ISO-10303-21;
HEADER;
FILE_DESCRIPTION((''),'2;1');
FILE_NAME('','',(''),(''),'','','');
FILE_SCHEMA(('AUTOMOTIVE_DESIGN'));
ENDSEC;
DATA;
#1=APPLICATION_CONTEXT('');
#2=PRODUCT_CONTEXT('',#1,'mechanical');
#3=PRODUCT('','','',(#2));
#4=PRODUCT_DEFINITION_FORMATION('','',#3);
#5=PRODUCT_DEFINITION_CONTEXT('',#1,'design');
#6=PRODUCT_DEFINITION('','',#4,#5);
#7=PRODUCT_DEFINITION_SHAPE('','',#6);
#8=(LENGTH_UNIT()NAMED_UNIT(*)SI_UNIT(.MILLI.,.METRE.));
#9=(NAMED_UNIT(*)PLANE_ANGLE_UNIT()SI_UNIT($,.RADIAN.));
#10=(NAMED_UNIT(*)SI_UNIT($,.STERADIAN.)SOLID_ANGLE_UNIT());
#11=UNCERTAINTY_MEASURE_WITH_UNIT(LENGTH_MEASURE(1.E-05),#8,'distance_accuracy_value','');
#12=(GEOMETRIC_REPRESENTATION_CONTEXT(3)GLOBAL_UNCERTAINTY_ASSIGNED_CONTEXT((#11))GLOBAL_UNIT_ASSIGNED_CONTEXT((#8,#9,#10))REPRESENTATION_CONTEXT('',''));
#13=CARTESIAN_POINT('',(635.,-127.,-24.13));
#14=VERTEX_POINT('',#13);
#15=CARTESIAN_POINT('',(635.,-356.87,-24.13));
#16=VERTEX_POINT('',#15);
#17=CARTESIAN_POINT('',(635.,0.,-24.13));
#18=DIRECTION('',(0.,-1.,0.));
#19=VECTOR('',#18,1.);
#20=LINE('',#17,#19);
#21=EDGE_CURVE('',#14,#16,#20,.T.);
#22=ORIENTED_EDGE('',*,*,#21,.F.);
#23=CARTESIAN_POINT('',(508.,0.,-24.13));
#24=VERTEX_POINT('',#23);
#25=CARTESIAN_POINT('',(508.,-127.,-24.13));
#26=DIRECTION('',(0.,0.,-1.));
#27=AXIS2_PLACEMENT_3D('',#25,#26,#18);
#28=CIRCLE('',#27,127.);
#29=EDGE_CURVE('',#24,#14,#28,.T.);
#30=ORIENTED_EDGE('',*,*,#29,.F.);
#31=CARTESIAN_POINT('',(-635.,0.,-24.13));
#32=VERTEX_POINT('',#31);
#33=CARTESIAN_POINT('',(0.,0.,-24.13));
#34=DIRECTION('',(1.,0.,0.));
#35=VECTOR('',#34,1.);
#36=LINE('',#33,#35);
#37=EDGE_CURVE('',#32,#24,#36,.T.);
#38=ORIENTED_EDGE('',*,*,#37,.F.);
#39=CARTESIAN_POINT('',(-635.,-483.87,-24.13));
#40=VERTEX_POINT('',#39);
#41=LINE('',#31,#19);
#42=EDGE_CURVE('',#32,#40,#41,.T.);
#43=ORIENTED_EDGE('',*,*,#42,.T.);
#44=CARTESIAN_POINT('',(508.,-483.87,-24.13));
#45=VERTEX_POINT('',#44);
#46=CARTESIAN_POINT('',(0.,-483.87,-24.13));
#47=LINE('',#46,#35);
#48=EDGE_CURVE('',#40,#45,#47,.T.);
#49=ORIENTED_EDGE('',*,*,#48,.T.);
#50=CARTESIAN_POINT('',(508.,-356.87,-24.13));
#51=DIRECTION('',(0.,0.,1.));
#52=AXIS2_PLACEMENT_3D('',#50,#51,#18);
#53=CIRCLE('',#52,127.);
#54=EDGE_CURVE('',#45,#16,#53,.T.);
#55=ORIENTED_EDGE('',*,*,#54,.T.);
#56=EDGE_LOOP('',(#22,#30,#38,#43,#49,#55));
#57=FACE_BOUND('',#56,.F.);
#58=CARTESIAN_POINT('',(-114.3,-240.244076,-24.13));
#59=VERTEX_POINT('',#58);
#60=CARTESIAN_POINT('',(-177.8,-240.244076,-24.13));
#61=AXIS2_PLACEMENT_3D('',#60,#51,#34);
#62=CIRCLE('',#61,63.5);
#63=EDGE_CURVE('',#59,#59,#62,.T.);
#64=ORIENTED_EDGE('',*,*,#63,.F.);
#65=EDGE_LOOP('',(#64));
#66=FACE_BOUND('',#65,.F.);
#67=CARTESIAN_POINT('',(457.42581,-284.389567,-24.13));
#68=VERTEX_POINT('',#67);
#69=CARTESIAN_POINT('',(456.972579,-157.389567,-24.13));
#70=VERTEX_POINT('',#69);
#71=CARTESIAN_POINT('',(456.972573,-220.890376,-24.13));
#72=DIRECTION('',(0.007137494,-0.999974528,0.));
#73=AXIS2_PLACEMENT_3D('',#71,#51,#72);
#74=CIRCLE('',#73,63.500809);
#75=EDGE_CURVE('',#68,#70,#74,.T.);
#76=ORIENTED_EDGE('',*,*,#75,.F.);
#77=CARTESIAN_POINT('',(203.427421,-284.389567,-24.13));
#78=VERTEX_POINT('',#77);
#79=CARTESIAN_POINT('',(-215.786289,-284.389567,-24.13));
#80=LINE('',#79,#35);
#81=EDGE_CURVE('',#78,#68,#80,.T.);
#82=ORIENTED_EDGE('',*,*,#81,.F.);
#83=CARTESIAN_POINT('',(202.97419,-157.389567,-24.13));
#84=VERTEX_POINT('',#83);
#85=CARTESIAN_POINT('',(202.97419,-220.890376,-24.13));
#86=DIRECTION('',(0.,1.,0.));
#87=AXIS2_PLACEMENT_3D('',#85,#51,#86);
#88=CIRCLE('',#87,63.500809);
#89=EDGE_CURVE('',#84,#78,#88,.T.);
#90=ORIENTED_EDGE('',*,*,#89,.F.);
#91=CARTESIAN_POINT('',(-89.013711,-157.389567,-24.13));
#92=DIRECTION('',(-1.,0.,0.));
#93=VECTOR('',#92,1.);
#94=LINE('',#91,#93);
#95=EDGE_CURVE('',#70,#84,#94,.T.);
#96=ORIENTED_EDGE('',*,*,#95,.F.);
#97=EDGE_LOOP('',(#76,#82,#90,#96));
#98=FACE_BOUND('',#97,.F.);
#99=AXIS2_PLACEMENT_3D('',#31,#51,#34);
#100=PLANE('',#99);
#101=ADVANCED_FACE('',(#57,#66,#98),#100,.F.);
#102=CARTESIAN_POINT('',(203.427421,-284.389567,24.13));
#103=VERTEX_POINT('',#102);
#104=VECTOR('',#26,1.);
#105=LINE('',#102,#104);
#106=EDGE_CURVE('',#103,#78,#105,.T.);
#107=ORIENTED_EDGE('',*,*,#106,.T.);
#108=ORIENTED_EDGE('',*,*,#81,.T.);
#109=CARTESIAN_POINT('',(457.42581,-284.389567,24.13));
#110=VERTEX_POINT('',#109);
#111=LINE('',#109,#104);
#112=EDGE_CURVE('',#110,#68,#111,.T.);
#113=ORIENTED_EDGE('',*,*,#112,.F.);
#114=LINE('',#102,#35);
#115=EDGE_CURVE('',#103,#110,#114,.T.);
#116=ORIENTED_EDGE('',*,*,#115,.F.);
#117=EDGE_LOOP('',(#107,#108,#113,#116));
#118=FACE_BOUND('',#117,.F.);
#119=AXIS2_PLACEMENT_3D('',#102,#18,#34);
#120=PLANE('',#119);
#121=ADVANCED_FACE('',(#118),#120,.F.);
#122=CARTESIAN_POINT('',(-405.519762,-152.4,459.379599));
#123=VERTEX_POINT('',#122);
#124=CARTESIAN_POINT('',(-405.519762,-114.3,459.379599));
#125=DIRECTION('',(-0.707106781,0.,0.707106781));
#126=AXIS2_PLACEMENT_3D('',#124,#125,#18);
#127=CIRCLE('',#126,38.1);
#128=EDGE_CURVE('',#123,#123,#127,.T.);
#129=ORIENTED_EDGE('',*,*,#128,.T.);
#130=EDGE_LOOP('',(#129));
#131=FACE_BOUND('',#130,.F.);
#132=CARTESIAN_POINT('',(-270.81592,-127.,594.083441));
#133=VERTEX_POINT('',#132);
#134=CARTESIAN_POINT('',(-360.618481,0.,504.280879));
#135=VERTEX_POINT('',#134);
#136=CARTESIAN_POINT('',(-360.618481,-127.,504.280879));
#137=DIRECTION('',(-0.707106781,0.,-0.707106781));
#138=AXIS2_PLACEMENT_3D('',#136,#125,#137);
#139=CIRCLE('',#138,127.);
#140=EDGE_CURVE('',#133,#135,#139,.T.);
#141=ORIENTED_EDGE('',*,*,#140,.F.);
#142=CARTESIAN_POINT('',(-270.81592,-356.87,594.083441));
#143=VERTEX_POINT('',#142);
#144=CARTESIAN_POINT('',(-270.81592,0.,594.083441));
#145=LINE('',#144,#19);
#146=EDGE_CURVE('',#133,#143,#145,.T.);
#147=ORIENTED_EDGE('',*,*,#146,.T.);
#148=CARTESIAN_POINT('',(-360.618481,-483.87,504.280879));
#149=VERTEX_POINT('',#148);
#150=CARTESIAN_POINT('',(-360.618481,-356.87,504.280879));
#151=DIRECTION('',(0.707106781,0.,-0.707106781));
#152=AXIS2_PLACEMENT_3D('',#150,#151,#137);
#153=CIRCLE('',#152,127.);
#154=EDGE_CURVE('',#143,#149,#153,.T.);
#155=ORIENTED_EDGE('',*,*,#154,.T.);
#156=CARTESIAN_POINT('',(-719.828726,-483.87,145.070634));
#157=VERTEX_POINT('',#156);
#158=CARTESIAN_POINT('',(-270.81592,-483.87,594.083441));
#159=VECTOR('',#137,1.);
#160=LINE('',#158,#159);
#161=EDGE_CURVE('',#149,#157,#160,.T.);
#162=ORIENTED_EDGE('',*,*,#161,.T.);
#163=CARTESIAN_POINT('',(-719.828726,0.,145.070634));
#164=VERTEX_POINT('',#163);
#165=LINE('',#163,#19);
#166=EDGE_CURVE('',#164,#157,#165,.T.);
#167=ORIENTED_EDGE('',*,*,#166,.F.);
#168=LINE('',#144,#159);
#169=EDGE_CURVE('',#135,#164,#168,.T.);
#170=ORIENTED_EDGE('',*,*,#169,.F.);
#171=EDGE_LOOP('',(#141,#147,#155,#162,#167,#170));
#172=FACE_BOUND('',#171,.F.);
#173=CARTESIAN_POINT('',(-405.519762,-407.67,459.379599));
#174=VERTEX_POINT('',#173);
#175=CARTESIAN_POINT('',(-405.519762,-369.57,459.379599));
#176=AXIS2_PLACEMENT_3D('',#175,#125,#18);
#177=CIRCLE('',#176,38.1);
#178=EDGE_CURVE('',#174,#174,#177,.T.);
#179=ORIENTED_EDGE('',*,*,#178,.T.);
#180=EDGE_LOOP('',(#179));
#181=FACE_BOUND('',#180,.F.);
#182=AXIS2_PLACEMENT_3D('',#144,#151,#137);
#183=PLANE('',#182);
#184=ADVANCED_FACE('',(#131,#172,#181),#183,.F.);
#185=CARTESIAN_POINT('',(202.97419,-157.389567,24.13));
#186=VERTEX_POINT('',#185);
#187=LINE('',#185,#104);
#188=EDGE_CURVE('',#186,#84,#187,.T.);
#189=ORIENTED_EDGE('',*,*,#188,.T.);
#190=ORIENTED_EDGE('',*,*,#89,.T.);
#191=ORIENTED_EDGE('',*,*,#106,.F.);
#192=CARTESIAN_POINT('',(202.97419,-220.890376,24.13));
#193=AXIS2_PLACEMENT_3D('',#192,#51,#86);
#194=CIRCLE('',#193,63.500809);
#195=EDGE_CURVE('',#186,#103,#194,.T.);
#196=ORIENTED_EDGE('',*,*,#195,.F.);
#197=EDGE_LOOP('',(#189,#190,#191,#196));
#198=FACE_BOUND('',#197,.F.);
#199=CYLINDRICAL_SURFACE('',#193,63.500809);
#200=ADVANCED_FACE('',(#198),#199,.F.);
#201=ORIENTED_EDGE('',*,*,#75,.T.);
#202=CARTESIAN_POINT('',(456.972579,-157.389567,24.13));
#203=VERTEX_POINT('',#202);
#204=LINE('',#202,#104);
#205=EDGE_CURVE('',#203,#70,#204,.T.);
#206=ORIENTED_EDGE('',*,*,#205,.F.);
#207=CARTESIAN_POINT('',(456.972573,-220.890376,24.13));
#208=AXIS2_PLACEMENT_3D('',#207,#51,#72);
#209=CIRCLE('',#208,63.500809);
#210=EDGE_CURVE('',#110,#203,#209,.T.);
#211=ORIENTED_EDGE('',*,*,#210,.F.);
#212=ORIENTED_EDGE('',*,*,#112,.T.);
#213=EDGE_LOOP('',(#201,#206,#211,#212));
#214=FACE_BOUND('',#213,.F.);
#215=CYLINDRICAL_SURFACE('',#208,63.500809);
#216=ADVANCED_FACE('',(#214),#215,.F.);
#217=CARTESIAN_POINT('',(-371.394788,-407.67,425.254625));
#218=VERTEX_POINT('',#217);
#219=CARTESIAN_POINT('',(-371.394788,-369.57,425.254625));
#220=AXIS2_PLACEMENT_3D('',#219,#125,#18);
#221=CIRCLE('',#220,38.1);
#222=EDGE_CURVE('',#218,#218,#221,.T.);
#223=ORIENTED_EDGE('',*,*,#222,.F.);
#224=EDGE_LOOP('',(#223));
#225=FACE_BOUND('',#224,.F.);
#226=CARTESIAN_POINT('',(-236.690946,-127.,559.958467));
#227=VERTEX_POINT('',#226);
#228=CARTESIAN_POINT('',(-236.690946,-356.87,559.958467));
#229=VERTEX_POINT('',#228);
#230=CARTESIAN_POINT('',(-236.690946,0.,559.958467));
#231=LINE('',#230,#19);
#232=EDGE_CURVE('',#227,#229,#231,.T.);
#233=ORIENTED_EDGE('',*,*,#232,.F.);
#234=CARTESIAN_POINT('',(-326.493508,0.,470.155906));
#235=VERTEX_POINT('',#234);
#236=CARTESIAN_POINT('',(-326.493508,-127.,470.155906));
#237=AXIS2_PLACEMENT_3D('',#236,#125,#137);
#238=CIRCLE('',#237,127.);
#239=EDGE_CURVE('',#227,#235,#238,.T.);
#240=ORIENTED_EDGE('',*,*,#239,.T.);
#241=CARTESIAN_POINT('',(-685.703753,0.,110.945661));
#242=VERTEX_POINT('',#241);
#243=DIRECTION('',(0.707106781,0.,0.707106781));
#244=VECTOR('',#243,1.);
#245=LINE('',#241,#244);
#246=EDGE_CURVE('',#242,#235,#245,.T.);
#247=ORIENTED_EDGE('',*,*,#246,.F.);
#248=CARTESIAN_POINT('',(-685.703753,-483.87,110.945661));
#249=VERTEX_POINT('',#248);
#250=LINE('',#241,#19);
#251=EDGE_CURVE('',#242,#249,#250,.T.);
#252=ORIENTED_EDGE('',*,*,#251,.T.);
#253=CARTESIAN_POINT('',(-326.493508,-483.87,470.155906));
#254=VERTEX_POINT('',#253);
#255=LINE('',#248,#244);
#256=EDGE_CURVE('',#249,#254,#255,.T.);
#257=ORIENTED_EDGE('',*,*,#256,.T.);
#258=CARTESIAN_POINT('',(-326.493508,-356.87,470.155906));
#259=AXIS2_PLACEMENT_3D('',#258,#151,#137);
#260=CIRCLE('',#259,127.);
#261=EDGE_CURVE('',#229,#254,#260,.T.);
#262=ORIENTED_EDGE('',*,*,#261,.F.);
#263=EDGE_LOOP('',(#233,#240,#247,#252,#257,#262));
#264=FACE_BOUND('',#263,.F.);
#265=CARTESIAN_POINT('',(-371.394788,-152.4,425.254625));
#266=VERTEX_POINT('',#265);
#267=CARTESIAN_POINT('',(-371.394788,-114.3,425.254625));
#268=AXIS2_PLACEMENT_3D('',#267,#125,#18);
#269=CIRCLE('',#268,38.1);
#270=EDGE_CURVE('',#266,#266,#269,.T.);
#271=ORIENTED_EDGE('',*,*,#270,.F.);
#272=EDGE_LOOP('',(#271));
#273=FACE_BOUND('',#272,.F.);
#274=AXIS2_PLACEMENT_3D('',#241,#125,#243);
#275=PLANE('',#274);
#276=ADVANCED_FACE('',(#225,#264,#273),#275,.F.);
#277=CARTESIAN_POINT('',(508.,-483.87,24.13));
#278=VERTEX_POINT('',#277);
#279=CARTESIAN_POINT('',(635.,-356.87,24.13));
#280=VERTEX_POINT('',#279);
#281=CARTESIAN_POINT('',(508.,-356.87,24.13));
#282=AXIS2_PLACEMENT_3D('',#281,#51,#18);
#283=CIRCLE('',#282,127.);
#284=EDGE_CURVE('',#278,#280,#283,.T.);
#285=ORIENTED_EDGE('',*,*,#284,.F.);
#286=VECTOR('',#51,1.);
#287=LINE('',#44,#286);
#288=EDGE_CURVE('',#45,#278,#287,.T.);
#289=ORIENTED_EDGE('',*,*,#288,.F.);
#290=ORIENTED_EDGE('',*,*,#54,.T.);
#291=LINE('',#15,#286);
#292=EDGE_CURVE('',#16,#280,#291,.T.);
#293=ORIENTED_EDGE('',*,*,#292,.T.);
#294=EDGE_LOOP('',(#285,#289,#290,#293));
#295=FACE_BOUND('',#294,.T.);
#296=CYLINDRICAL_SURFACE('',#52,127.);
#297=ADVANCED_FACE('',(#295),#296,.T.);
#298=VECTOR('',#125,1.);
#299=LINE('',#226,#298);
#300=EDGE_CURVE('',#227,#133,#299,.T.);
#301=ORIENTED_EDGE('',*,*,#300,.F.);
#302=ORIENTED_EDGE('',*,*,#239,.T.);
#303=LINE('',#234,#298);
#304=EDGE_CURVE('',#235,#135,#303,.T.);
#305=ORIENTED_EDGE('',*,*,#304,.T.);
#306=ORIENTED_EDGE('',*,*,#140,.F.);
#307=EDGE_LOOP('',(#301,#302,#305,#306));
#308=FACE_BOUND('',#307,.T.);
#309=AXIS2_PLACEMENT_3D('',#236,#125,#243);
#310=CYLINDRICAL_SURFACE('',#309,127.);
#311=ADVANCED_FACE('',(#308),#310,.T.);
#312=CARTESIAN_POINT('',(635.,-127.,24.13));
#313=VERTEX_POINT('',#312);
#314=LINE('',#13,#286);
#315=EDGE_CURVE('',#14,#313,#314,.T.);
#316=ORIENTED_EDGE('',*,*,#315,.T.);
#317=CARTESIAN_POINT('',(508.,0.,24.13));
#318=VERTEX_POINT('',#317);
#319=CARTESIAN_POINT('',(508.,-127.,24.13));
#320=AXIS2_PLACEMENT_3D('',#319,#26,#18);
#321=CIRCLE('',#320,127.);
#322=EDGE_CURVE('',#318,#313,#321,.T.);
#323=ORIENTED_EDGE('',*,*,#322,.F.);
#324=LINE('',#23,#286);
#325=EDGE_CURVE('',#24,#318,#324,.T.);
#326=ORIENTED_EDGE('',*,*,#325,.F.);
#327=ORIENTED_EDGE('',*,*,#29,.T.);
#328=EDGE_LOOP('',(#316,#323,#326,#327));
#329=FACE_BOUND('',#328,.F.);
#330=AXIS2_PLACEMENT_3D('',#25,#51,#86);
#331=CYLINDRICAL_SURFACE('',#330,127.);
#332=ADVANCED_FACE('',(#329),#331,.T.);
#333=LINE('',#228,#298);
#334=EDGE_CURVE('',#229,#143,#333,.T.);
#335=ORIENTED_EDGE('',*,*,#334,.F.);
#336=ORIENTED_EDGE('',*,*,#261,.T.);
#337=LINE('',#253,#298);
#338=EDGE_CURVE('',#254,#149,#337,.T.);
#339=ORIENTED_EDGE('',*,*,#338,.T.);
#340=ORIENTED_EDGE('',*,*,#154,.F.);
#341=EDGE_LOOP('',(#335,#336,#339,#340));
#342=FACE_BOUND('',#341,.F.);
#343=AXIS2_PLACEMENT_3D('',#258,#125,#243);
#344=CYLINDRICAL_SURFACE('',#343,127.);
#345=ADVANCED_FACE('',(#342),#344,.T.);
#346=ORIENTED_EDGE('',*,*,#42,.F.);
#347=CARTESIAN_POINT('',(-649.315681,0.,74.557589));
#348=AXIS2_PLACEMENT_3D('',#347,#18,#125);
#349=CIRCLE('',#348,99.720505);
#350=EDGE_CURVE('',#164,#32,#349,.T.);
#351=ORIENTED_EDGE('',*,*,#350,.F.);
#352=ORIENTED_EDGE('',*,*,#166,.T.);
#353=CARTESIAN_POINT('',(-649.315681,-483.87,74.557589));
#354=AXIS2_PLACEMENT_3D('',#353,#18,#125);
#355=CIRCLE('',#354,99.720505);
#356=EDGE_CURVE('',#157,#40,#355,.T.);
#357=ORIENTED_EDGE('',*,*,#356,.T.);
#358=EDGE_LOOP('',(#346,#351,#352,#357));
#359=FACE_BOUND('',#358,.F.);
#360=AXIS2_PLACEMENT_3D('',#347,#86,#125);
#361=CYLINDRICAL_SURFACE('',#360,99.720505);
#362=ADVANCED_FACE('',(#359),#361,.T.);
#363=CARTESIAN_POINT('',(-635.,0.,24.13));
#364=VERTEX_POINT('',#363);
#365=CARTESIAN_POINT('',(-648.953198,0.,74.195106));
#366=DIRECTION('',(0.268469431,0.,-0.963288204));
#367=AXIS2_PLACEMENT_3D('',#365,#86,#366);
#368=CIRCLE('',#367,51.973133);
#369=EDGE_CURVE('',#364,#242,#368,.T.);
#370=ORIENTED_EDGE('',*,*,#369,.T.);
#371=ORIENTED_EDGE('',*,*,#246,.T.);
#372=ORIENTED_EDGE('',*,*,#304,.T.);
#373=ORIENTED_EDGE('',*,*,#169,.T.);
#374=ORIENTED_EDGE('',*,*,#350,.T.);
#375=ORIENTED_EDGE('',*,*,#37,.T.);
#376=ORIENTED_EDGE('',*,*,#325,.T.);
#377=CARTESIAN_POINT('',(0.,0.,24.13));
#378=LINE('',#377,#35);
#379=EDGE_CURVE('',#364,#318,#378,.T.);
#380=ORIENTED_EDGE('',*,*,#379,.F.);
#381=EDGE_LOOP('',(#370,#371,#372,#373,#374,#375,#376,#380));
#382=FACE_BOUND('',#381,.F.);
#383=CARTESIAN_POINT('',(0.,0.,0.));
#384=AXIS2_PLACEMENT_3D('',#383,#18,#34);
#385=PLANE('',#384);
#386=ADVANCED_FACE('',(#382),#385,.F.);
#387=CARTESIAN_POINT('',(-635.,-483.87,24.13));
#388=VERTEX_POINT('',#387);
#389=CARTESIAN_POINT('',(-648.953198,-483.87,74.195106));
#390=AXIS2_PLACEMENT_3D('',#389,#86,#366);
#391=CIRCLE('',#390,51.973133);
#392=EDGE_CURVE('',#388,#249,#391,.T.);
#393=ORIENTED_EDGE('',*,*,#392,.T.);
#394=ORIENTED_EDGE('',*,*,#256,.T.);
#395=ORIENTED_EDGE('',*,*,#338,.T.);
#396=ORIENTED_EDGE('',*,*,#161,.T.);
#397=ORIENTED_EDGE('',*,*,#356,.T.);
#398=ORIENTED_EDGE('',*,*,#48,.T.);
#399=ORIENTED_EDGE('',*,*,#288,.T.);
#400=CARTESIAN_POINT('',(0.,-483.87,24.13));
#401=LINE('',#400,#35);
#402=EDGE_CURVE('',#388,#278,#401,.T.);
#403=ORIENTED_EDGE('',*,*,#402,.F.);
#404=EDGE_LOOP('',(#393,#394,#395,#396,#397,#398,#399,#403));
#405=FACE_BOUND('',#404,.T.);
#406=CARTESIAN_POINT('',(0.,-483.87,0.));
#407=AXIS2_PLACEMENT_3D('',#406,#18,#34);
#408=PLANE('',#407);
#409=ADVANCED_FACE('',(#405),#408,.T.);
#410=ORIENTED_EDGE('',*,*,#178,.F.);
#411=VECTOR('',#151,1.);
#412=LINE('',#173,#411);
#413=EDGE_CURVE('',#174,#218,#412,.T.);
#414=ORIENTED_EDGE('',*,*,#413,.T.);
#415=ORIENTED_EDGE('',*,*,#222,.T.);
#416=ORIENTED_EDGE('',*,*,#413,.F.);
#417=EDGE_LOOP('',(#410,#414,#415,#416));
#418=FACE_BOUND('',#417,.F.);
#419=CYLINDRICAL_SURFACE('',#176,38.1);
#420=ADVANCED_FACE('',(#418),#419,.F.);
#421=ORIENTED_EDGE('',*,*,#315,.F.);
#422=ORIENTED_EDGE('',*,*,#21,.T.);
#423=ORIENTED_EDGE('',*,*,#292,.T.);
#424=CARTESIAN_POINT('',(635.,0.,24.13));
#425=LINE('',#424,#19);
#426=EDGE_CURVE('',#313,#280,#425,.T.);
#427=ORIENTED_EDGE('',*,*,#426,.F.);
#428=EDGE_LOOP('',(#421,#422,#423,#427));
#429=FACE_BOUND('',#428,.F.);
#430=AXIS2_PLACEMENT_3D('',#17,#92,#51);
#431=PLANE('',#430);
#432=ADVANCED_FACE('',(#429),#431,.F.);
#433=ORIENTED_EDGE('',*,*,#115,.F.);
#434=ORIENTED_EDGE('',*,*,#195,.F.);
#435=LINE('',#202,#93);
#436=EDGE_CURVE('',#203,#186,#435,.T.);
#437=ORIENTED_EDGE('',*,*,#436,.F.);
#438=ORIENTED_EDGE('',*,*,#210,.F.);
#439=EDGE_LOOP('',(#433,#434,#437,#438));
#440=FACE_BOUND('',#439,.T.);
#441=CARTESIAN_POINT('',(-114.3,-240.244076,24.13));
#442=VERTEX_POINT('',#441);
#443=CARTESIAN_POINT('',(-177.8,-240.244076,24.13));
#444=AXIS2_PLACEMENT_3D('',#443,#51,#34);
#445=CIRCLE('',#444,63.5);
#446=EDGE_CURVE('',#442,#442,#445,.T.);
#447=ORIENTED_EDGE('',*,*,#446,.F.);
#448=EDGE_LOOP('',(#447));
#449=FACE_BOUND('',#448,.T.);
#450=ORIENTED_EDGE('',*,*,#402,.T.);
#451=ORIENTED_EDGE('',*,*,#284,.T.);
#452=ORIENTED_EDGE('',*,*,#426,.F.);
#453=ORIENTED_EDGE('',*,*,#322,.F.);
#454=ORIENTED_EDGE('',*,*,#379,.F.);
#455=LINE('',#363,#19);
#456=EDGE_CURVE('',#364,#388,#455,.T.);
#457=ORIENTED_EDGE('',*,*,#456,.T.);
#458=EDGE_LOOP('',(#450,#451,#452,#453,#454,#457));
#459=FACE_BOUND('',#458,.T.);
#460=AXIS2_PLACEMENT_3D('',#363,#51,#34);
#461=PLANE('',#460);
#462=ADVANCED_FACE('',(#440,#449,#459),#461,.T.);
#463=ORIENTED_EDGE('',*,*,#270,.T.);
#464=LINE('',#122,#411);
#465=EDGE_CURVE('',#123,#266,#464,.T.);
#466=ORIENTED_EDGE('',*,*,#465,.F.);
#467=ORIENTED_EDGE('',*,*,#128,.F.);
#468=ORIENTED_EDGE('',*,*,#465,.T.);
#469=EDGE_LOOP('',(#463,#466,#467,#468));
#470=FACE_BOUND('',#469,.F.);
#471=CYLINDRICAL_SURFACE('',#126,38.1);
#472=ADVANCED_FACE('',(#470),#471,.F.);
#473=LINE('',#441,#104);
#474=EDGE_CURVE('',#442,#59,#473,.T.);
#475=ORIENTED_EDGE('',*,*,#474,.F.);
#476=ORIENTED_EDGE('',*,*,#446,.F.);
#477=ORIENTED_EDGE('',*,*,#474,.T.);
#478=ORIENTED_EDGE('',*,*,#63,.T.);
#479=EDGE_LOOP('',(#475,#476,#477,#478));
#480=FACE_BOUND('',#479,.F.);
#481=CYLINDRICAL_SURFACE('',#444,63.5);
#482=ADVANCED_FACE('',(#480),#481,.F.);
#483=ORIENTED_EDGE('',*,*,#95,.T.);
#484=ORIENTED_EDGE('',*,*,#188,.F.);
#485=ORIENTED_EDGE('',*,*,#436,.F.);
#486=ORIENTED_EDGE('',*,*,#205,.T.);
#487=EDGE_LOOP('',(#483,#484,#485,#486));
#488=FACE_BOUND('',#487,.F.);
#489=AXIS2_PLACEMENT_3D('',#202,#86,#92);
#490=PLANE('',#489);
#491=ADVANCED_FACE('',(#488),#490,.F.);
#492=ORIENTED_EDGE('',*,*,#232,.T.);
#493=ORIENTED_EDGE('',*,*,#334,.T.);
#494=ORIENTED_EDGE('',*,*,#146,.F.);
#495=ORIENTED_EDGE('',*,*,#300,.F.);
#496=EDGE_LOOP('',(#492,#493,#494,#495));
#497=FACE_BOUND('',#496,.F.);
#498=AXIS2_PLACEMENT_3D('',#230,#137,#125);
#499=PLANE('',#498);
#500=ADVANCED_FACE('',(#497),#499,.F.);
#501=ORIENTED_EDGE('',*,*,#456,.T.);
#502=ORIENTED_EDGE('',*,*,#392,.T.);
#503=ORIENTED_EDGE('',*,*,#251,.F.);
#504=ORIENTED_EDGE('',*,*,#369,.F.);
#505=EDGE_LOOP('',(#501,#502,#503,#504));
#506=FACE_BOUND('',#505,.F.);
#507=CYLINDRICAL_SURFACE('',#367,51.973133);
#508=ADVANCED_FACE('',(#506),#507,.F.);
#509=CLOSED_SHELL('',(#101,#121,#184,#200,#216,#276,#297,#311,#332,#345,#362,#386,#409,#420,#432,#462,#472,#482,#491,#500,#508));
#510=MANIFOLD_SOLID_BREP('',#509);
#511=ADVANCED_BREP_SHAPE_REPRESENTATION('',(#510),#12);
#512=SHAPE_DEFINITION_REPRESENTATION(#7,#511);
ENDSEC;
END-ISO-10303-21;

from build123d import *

# Parameters (mm, degrees)
F0_W     = 1270
F0_H     = 48.26
F1_DEPTH = 483.87
F2_R     = 127
F3_R     = 38.1
F4_DEPTH = 127
F5_R     = 63.5
F6_DEPTH = 50.8
F7_R     = 127


with BuildPart() as f1:
    # F0 (on Front) → F1 (new body)
    with BuildSketch(Plane.XZ):
        Rectangle(F0_W, F0_H)
        with BuildLine():
            ThreePointArc((-719.8287257737, 145.0706344887), (-738.4602241468, 29.8649791492), (-635, -24.13))
            Line((-635, -24.13), (-635, 24.13))
            ThreePointArc((-635, 24.13), (-693.8326988086, 47.9837165686), (-685.7037525136, 110.9456612286))
            Line((-685.7037525136, 110.9456612286), (-236.6909464602, 559.9584672821))
            Line((-236.6909464602, 559.9584672821), (-270.8159197202, 594.0834405421))
            Line((-270.8159197202, 594.0834405421), (-719.8287257737, 145.0706344887))
        make_face()
    extrude(amount=F1_DEPTH)

    # F2
    f2_edges = [f1.edges().sort_by_distance(p)[0] for p in [
        (-253.753433, -483.87, 577.020954),
        (-253.753433, 0, 577.020954),
    ]]
    fillet(f2_edges, radius=F2_R)

    # F3 (on face) → F4 (cut)
    with BuildSketch(Plane(origin=(-432.4496801312, 0, 432.4496801312), x_dir=(0, -1, 0), z_dir=(-0.7071067812, 0, 0.7071067812))):
        with Locations((114.3, 38.0846561105)):
            Circle(F3_R)
        with Locations((369.57, 38.0846561105)):
            Circle(F3_R)
    extrude(amount=-F4_DEPTH, mode=Mode.SUBTRACT)

    # F5 (on face) → F6 (cut)
    with BuildSketch(Plane.XY.offset(24.13)):
        with BuildLine():
            Line((203.4274212449, -284.3895672825), (457.4258095673, -284.3895672825))
            ThreePointArc((457.4258095673, -284.3895672825), (520.472977332, -220.663759187), (456.9725787551, -157.3895672825))
            Line((456.9725787551, -157.3895672825), (202.9741904327, -157.3895672825))
            ThreePointArc((202.9741904327, -157.3895672825), (139.4737860676, -221.1169928646), (203.4274212449, -284.3895672825))
        make_face()
        with Locations((-177.8, -240.2440756559)):
            Circle(F5_R)
    extrude(amount=-F6_DEPTH, mode=Mode.SUBTRACT)

    # F7
    f7_edges = [f1.edges().sort_by_distance(p)[0] for p in [
        (635, -483.87, 0),
        (635, 0, 0),
    ]]
    fillet(f7_edges, radius=F7_R)


solid = f1.part
